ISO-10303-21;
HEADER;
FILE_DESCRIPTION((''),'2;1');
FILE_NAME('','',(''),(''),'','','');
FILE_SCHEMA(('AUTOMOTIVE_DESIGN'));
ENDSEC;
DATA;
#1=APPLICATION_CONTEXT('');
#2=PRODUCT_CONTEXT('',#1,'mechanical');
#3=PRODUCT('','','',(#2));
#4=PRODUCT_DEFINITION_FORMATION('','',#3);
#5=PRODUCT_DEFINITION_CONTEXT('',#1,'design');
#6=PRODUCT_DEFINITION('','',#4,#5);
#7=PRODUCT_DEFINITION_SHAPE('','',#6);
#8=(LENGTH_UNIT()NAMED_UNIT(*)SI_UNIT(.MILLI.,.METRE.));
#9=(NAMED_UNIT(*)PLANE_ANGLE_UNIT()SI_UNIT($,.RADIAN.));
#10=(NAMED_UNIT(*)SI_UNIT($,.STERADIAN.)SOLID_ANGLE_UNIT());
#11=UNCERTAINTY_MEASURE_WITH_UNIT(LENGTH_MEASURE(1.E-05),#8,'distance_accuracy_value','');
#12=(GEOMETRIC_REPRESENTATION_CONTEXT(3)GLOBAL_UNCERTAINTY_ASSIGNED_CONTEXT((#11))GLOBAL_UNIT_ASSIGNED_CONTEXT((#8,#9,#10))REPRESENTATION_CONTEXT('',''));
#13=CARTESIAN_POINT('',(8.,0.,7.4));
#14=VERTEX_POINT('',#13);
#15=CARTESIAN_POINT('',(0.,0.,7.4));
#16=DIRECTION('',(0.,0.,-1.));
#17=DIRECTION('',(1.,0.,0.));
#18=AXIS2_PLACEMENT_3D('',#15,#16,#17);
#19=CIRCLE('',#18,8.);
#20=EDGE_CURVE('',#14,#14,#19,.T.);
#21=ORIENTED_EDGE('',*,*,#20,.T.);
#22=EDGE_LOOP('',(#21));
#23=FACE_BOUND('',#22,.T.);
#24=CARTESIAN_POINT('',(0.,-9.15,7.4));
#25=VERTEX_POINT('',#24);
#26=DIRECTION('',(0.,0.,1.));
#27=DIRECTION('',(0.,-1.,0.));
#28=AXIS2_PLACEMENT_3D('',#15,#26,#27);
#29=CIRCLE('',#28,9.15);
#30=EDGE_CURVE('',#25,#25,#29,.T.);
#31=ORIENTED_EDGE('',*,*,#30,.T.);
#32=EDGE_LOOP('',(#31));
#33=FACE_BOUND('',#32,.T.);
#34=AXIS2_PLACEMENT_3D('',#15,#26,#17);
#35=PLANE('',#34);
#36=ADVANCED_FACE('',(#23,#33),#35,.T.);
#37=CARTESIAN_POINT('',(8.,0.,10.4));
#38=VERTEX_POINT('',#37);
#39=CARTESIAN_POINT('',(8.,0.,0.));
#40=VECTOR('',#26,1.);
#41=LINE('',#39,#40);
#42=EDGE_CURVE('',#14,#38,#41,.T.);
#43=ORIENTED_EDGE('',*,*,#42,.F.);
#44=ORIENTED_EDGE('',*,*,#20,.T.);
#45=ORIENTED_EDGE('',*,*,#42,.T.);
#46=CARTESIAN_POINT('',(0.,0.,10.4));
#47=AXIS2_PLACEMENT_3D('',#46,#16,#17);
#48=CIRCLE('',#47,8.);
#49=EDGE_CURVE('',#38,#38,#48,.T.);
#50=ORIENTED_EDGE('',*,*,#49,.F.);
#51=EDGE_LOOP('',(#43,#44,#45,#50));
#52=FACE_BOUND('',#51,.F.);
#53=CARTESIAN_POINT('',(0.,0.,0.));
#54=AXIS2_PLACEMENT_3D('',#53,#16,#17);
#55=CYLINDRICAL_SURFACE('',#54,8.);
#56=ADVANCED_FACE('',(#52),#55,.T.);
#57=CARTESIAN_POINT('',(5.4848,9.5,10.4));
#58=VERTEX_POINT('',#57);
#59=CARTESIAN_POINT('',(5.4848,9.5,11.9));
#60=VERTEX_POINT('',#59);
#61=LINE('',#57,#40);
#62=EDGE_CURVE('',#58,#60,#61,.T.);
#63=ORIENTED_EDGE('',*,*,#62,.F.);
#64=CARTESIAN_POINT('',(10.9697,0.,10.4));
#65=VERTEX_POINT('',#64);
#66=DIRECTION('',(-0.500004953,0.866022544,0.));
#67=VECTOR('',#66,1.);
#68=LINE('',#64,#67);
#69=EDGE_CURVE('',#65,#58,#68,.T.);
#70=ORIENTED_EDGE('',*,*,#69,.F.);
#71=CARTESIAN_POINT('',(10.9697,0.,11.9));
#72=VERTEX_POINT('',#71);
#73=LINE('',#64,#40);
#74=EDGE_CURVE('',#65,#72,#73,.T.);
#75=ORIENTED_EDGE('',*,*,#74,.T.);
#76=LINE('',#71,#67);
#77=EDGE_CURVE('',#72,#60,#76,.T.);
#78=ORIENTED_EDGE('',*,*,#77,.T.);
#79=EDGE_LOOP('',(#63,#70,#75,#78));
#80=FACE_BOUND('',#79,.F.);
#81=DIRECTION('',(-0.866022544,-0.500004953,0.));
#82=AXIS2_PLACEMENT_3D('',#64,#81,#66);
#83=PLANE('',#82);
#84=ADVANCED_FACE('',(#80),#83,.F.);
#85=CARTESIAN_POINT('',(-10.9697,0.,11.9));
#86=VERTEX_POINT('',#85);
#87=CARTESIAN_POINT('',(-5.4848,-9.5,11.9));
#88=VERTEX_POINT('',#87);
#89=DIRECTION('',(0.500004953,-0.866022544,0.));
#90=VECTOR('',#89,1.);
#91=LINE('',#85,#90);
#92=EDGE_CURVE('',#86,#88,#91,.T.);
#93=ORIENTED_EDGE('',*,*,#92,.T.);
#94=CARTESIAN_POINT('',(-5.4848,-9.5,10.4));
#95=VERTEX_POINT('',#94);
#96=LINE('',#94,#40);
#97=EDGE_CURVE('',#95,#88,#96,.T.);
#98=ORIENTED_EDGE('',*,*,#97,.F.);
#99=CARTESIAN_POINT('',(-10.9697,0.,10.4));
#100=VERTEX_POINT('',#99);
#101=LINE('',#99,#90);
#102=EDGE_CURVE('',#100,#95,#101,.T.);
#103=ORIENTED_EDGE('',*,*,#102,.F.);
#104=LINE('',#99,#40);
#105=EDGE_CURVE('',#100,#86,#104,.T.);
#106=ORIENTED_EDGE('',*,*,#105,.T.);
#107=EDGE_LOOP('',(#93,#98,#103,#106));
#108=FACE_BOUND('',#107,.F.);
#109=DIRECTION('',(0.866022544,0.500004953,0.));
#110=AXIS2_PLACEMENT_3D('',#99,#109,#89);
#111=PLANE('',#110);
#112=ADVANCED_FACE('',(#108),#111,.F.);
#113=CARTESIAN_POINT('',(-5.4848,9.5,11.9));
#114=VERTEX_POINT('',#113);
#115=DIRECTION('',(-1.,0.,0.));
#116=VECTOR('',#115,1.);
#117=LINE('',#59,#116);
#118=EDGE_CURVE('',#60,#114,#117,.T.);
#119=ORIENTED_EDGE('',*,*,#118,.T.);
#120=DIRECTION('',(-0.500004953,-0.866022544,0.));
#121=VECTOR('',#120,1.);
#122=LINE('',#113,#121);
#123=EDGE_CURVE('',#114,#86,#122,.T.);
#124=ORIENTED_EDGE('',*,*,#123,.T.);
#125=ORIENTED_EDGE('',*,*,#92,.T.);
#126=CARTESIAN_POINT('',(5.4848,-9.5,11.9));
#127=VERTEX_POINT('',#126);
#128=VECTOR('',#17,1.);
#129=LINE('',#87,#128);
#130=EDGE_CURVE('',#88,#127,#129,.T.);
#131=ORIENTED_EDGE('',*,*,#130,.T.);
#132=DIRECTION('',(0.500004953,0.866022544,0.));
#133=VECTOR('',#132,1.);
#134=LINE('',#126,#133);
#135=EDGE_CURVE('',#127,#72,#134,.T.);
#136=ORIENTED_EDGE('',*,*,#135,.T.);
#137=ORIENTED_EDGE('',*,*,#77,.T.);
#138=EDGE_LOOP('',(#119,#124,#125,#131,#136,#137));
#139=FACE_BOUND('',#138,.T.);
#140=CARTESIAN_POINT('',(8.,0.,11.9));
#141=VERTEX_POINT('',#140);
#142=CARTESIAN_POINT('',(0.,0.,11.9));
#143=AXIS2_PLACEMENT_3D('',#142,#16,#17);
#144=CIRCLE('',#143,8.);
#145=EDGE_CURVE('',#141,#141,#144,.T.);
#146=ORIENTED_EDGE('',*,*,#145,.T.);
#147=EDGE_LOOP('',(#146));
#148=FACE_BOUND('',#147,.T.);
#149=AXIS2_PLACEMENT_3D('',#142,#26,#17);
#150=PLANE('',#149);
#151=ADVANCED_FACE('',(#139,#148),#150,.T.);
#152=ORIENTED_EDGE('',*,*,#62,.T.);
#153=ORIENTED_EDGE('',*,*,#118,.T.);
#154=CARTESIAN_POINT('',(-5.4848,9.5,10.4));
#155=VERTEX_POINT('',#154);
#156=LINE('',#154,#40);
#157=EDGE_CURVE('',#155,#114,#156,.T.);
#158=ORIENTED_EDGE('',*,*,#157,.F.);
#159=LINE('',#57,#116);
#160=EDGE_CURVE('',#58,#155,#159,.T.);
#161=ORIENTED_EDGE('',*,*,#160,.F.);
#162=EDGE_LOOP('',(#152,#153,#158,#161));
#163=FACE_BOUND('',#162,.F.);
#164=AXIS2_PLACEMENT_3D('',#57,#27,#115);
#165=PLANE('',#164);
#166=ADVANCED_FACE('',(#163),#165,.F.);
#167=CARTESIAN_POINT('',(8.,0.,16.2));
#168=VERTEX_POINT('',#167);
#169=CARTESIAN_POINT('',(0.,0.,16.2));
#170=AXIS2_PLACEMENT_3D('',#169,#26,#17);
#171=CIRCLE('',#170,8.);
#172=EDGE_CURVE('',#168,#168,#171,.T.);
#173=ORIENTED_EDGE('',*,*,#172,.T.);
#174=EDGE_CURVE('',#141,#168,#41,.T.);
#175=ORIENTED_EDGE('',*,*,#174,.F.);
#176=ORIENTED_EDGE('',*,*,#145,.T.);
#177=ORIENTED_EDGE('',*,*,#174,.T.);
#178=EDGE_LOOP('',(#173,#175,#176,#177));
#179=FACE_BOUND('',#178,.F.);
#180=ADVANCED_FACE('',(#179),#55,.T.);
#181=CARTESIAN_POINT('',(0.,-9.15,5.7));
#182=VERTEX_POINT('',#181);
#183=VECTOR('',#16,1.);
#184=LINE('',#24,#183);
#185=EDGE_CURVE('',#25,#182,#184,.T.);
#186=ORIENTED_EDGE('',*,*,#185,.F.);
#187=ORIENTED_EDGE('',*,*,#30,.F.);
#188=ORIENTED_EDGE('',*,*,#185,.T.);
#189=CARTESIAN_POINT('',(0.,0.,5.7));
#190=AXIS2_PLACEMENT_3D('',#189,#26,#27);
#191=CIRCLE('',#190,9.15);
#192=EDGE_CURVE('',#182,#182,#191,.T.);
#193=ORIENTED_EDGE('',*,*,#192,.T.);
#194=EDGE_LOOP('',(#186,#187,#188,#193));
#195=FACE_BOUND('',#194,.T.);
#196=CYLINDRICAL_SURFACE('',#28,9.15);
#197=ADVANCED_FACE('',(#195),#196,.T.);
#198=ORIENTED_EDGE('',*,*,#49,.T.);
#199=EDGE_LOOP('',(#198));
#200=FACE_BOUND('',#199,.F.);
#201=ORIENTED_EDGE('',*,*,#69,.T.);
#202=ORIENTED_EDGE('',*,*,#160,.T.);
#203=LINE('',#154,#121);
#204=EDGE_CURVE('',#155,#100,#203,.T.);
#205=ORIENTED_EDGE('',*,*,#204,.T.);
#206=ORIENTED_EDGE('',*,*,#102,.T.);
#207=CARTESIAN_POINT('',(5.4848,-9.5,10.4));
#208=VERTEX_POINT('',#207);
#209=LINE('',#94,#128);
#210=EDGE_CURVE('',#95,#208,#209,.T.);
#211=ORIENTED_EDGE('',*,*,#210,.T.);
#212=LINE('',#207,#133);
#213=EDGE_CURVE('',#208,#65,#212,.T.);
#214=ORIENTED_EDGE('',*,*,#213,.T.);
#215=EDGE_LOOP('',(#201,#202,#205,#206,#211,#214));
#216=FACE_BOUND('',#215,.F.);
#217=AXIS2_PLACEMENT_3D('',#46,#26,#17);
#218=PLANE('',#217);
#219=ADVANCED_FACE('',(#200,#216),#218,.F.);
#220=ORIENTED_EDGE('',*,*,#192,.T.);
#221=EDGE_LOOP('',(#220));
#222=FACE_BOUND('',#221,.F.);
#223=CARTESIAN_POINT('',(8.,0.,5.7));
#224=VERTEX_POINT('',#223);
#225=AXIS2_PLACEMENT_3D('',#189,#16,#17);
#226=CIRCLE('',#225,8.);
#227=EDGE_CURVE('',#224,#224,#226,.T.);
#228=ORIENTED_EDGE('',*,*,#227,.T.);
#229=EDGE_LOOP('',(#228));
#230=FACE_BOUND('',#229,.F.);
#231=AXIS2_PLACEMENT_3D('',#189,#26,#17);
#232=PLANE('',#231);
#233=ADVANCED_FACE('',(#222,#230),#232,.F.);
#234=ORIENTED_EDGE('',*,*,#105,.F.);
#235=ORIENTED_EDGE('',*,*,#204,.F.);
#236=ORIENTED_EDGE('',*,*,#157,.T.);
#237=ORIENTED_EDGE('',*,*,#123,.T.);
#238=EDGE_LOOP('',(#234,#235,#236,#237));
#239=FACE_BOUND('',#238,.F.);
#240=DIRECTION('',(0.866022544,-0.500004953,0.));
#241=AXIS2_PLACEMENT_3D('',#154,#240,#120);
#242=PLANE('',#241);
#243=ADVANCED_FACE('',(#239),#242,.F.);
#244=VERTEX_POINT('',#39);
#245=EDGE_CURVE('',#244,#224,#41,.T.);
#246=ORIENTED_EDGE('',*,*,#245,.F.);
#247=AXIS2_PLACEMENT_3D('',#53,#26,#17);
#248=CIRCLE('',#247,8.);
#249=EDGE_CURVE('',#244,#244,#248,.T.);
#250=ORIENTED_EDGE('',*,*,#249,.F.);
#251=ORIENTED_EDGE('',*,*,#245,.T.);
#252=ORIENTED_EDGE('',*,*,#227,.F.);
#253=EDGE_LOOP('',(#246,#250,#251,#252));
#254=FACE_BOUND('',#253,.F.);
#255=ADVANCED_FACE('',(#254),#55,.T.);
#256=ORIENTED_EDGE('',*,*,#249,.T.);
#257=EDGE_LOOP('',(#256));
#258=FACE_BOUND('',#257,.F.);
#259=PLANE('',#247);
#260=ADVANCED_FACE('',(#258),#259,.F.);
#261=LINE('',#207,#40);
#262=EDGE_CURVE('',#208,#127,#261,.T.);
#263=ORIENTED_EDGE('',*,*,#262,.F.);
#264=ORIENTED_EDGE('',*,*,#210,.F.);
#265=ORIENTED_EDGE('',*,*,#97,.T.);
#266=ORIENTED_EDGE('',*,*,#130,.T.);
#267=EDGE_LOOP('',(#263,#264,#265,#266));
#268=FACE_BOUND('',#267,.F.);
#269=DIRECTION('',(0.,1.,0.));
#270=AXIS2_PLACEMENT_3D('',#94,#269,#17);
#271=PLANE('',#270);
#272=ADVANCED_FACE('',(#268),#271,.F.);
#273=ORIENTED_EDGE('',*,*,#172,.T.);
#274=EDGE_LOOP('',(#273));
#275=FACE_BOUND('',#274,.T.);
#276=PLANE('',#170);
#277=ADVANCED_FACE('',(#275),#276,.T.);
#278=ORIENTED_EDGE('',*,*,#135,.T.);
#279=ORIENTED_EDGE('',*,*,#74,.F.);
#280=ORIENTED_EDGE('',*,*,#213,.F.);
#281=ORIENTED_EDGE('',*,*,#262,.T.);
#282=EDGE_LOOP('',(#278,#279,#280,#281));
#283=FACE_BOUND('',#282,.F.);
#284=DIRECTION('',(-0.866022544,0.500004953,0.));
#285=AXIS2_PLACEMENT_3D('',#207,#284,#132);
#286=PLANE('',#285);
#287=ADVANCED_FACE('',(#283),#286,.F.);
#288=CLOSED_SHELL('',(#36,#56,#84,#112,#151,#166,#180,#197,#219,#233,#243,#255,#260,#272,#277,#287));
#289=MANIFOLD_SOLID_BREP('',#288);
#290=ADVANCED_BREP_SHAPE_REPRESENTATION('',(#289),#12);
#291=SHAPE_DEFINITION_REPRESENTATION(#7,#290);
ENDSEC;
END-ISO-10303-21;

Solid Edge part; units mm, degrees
sketch "Sketch1" plane through (0, 0, 0) normal (0, 0, 1) x (1, 0, 0)
  circle A0 centre (0, 0) radius 8
extrude "Protrusion1" add sketch "Sketch1" along normal blind 16.2
sketch "Sketch2" plane through (0, 0, 7.4) normal (0, 0, 1) x (0, -1, 0)
  circle A0 centre (0, 0) radius 9.15
extrude "ExtrudedProtrusion_2" add sketch "Sketch2" against normal blind 1.7
sketch "Sketch3" plane through (0, 0, 10.4) normal (0, 0, 1) x (0, -1, 0)
  line L0 (0, 10.9697) -> (-9.5, 5.4848)
  line L1 (-9.5, 5.4848) -> (-9.5, -5.4848)
  line L2 (-9.5, -5.4848) -> (0, -10.9697)
  line L3 (0, -10.9697) -> (9.5, -5.4848)
  line L4 (9.5, -5.4848) -> (9.5, 5.4848)
  line L5 (9.5, 5.4848) -> (0, 10.9697)
extrude "ExtrudedProtrusion_3" add sketch "Sketch3" along normal blind 1.5
